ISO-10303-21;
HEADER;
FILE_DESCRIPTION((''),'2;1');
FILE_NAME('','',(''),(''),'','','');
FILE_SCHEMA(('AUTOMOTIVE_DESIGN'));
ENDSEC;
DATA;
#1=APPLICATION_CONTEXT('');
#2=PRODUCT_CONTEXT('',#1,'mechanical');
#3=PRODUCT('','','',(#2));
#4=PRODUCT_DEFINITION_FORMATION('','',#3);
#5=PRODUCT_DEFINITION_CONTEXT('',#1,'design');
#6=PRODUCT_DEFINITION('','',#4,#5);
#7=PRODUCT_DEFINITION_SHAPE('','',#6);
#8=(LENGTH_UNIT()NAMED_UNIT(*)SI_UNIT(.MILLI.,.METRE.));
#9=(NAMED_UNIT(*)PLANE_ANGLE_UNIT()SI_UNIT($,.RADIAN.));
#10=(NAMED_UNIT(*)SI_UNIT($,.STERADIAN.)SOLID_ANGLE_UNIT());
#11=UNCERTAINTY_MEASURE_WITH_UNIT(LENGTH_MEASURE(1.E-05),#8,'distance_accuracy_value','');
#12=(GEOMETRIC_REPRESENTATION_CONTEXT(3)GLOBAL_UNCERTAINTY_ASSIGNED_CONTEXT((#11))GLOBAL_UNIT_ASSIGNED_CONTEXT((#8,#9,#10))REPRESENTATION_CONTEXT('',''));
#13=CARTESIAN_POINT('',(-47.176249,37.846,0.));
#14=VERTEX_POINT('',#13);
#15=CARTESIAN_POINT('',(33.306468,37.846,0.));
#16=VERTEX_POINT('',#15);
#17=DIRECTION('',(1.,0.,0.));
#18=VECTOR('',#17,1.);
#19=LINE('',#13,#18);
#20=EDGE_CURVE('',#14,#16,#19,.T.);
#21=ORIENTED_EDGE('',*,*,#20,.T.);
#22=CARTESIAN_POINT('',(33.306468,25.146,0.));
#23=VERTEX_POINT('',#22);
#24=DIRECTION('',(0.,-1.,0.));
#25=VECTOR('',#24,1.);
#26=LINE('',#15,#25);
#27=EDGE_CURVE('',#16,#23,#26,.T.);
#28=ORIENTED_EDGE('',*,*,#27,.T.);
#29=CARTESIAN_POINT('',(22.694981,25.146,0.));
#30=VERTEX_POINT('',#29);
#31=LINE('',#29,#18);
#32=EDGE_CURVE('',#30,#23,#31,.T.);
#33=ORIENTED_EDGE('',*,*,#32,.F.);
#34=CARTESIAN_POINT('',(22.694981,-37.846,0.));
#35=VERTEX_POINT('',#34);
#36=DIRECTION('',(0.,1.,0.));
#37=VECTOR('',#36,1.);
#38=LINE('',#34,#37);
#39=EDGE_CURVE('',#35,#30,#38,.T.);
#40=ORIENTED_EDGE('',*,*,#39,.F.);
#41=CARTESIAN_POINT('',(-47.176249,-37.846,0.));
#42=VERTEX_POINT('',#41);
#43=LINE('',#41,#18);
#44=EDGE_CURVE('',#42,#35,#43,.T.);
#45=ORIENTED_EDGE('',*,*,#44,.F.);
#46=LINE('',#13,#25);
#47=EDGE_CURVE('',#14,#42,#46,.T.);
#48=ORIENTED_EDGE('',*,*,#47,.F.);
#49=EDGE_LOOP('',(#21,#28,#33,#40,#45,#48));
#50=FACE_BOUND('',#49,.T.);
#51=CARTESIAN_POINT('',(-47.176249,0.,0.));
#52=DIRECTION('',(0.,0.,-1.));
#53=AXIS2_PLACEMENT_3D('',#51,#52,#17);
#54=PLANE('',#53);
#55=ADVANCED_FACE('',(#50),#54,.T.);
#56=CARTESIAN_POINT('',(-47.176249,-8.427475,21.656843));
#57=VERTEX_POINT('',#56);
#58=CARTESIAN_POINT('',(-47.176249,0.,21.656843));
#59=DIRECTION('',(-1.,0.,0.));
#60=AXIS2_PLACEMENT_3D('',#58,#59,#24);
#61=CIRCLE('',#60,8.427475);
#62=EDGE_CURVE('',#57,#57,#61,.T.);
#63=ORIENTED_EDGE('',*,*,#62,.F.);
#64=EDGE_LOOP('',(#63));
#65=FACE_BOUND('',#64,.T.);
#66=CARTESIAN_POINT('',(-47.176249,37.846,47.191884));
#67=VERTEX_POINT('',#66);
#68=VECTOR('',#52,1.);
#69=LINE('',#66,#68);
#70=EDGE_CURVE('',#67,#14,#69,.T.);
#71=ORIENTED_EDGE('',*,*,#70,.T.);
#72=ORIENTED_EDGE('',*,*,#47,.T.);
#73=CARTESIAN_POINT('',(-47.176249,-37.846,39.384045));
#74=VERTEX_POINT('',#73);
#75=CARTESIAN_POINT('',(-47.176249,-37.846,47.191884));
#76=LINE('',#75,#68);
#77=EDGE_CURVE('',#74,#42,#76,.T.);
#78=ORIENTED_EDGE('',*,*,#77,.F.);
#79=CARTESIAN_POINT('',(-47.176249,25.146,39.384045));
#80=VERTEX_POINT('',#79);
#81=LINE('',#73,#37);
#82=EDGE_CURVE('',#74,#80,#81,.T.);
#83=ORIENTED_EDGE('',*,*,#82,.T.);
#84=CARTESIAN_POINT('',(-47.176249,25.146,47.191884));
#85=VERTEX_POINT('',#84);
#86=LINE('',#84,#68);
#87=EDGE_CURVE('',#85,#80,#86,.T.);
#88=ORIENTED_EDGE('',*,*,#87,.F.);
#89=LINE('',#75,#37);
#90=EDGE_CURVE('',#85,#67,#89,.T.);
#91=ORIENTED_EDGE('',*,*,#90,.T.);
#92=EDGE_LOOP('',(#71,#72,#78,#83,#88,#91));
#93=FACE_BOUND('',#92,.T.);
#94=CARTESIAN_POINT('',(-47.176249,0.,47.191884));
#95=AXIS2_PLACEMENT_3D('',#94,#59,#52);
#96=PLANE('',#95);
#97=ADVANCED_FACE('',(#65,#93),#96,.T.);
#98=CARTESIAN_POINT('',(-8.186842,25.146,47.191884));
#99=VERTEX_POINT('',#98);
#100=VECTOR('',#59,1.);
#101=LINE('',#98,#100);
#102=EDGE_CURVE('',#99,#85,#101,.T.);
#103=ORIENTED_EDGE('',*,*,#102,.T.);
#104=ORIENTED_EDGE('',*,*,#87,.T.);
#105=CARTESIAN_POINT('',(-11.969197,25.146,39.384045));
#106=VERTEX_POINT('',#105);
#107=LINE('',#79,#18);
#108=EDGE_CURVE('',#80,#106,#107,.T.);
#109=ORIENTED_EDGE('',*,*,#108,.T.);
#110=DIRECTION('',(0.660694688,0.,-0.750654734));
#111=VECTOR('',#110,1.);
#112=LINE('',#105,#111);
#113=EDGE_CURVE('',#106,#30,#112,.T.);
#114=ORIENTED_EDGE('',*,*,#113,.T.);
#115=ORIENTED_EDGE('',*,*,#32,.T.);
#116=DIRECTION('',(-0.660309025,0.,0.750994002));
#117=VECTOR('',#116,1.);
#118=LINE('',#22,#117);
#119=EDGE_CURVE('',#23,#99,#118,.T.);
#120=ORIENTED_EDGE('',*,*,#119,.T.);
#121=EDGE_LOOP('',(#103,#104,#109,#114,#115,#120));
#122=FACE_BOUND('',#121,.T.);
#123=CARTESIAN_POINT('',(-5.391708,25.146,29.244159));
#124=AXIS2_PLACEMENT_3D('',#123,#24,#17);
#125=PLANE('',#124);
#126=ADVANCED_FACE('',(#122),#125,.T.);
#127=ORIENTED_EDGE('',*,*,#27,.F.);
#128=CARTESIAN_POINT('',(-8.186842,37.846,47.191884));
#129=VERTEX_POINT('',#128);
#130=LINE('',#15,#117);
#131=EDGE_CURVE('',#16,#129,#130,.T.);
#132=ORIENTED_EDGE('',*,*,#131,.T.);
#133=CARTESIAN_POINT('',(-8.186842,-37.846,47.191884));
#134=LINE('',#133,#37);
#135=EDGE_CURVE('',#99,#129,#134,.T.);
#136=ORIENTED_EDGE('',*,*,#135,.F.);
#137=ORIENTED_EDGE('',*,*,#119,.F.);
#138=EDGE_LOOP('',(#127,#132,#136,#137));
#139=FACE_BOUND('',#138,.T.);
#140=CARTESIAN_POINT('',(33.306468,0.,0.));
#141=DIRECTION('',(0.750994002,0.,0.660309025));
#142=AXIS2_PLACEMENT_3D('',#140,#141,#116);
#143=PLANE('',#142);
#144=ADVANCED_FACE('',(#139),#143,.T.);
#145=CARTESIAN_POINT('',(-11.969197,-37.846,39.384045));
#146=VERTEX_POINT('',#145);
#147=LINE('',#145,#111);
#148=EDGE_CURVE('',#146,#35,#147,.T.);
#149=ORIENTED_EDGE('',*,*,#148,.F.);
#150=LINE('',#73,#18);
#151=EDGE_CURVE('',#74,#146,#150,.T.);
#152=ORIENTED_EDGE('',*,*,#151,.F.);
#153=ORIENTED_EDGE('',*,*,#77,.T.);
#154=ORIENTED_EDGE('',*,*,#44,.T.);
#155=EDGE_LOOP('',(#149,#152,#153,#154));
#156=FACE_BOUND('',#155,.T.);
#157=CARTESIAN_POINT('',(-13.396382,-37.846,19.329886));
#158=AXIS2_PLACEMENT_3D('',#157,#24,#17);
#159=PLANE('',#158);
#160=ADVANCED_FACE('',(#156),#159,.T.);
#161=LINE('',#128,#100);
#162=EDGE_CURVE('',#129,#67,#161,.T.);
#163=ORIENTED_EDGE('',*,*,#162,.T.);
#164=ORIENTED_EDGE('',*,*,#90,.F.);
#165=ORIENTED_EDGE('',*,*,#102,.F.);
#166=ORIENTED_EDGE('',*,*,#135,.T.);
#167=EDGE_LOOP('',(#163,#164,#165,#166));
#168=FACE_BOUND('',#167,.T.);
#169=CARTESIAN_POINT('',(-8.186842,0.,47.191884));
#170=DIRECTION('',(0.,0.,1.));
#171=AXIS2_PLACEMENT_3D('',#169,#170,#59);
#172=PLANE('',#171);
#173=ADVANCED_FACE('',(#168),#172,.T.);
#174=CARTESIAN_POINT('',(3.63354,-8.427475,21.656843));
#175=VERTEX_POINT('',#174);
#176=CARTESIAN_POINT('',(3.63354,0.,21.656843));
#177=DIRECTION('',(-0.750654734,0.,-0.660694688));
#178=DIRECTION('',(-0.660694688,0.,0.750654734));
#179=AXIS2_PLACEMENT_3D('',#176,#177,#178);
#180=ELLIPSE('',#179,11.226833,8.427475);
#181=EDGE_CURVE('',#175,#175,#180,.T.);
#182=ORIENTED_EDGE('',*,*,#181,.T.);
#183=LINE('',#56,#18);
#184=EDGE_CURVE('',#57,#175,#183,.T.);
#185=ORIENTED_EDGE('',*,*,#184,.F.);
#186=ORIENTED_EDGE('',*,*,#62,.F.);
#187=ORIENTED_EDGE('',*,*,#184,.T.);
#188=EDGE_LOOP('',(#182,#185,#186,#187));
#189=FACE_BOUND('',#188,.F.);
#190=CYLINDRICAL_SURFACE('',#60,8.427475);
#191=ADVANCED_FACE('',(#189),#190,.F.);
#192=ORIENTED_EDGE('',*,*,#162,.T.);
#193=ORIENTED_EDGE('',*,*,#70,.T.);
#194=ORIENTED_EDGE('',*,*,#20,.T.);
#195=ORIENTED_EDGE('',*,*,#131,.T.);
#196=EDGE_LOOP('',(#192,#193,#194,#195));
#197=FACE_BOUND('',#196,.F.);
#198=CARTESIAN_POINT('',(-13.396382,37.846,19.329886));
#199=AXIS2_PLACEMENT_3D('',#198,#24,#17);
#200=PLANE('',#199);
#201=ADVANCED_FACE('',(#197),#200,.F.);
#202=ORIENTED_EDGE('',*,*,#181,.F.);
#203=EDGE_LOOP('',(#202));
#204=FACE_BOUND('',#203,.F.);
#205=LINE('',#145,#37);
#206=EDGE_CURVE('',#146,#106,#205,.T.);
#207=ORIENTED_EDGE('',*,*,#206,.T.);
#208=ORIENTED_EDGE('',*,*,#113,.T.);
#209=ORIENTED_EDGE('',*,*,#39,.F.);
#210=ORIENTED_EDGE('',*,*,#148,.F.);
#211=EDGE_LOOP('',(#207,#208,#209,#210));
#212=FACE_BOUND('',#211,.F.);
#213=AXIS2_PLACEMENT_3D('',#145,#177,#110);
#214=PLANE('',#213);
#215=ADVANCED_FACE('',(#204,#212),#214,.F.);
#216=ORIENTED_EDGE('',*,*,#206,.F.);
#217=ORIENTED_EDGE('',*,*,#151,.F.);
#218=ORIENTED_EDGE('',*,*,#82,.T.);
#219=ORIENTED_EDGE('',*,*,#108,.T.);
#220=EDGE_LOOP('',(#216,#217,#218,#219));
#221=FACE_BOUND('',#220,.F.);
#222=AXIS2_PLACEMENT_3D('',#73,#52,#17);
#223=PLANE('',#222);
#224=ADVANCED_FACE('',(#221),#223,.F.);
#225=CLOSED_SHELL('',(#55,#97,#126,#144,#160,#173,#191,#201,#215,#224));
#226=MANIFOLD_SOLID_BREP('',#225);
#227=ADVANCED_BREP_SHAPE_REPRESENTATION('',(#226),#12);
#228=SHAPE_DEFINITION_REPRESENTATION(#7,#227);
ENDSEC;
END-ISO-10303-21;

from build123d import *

# Parameters (mm, degrees)
F1_DEPTH = 37.846
F3_DEPTH = 62.992
F4_R     = 8.427475
F5_DEPTH = 74.168


with BuildPart() as f1:
    # F0 (on Front) → F1 (new body, symmetric)
    with BuildSketch(Plane.XZ):
        Polygon((-47.176249, 47.191884), (-47.176249, 0), (33.306468, 0), (-8.186842, 47.191884), align=None)
    extrude(amount=F1_DEPTH, both=True)

    # F2 (on face) → F3 (cut)
    with BuildSketch(Plane.XZ.offset(37.846)):
        Polygon((-47.176249, 47.191884), (-47.176249, 39.384045), (-11.969197, 39.384045), (22.694981, 0), (33.306468, 0), (-8.186842, 47.191884), align=None)
    extrude(amount=-F3_DEPTH, mode=Mode.SUBTRACT)

    # F4 (on face) → F5 (cut)
    with BuildSketch(Plane(origin=(-47.176249, 0, 0), x_dir=(0, -1, 0), z_dir=(-1, 0, 0))):
        with Locations((0, 21.656843)):
            Circle(F4_R)
    extrude(amount=-F5_DEPTH, mode=Mode.SUBTRACT)


solid = f1.part
